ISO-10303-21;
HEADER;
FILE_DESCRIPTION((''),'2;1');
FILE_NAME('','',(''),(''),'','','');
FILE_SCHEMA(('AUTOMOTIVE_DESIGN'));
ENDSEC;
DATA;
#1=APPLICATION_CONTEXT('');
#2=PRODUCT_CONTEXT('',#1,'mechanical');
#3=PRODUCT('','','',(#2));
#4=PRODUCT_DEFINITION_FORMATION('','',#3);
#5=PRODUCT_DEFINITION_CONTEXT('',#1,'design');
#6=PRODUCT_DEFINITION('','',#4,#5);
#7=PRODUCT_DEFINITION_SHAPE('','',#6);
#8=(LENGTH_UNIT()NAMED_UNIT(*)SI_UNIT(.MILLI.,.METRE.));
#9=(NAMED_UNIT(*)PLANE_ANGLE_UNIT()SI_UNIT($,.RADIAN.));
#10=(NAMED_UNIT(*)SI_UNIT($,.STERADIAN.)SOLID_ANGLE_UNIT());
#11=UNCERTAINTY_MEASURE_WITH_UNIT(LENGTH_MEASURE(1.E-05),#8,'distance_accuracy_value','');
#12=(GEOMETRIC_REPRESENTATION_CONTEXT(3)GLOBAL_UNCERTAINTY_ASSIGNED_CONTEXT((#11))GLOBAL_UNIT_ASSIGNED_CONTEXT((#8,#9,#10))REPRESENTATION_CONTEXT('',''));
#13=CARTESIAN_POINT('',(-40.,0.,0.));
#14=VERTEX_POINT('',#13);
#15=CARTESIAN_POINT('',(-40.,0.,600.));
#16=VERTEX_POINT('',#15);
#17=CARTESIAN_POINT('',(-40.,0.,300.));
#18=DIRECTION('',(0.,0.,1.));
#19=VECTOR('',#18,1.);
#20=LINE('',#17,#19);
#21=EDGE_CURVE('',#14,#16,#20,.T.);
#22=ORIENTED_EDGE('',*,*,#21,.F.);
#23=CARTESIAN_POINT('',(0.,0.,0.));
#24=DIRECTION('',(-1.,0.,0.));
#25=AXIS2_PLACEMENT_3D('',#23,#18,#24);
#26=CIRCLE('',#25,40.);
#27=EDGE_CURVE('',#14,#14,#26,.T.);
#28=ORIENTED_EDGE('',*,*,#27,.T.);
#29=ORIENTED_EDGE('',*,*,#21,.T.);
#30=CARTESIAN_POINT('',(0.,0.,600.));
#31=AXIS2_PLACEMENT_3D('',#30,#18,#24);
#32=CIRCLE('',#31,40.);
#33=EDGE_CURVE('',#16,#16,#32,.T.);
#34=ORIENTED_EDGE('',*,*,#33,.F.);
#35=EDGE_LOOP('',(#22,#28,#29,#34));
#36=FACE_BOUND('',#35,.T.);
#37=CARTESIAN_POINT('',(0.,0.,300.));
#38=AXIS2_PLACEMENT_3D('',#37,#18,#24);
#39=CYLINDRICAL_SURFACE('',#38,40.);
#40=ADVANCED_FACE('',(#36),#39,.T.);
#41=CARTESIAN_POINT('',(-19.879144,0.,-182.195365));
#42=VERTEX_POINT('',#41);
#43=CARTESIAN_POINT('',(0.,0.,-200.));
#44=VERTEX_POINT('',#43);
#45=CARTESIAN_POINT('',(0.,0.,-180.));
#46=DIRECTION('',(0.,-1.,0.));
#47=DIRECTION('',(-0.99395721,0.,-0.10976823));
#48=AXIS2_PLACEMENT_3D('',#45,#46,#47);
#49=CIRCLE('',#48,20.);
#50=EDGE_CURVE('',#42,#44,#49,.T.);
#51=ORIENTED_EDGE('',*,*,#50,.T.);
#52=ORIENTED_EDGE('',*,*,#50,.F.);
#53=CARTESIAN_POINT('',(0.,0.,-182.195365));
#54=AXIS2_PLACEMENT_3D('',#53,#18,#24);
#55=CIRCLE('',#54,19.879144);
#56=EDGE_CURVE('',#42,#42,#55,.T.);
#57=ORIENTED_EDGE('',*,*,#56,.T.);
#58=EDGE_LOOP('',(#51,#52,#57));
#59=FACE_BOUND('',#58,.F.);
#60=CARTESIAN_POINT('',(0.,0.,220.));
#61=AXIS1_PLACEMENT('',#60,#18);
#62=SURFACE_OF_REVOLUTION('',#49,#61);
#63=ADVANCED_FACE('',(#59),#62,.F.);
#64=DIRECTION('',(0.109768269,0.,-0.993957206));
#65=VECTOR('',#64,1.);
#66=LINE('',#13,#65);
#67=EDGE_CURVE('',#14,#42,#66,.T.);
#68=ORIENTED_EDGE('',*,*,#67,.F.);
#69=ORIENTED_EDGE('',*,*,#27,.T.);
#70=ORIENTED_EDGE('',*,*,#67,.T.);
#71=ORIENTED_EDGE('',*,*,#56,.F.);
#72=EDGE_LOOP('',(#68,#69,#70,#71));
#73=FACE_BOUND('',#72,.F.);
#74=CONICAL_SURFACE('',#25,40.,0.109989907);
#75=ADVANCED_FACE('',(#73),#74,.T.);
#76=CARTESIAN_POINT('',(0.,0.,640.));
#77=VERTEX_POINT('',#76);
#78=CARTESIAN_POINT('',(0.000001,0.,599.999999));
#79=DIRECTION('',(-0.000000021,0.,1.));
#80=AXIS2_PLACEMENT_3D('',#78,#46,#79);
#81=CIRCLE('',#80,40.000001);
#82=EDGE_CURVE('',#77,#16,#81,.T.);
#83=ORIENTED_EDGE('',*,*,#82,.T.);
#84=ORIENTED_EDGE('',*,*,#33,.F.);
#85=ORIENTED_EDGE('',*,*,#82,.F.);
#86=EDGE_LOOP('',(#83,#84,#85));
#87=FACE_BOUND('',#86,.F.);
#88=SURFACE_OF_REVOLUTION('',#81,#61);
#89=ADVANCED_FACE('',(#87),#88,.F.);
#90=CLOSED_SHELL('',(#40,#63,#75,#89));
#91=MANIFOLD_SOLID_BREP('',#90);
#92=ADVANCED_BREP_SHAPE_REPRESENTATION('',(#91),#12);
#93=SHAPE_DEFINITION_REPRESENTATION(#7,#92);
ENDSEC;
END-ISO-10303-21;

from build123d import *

# Parameters (mm, degrees)
F0_W = 40
F0_H = 600


with BuildPart() as f1:
    # F0 (on Front) → F1 (revolve)
    with BuildSketch(Plane.XZ):
        with Locations((-20, 300)):
            Rectangle(F0_W, F0_H)
        with BuildLine():
            ThreePointArc((0, 640), (-28.284271, 628.284271), (-40, 600))
            Line((-40, 600), (0, 600))
            Line((0, 600), (0, 640))
        make_face()
        with BuildLine():
            Line((0, 0), (-40, 0))
            Line((-40, 0), (-19.879144, -182.195365))
            ThreePointArc((-19.879144, -182.195365), (-13.343401, -194.898109), (0, -200))
            Line((0, -200), (0, 0))
        make_face()
    revolve(axis=Axis((0, 0, 220), (0, 0, 1)))


solid = f1.part
